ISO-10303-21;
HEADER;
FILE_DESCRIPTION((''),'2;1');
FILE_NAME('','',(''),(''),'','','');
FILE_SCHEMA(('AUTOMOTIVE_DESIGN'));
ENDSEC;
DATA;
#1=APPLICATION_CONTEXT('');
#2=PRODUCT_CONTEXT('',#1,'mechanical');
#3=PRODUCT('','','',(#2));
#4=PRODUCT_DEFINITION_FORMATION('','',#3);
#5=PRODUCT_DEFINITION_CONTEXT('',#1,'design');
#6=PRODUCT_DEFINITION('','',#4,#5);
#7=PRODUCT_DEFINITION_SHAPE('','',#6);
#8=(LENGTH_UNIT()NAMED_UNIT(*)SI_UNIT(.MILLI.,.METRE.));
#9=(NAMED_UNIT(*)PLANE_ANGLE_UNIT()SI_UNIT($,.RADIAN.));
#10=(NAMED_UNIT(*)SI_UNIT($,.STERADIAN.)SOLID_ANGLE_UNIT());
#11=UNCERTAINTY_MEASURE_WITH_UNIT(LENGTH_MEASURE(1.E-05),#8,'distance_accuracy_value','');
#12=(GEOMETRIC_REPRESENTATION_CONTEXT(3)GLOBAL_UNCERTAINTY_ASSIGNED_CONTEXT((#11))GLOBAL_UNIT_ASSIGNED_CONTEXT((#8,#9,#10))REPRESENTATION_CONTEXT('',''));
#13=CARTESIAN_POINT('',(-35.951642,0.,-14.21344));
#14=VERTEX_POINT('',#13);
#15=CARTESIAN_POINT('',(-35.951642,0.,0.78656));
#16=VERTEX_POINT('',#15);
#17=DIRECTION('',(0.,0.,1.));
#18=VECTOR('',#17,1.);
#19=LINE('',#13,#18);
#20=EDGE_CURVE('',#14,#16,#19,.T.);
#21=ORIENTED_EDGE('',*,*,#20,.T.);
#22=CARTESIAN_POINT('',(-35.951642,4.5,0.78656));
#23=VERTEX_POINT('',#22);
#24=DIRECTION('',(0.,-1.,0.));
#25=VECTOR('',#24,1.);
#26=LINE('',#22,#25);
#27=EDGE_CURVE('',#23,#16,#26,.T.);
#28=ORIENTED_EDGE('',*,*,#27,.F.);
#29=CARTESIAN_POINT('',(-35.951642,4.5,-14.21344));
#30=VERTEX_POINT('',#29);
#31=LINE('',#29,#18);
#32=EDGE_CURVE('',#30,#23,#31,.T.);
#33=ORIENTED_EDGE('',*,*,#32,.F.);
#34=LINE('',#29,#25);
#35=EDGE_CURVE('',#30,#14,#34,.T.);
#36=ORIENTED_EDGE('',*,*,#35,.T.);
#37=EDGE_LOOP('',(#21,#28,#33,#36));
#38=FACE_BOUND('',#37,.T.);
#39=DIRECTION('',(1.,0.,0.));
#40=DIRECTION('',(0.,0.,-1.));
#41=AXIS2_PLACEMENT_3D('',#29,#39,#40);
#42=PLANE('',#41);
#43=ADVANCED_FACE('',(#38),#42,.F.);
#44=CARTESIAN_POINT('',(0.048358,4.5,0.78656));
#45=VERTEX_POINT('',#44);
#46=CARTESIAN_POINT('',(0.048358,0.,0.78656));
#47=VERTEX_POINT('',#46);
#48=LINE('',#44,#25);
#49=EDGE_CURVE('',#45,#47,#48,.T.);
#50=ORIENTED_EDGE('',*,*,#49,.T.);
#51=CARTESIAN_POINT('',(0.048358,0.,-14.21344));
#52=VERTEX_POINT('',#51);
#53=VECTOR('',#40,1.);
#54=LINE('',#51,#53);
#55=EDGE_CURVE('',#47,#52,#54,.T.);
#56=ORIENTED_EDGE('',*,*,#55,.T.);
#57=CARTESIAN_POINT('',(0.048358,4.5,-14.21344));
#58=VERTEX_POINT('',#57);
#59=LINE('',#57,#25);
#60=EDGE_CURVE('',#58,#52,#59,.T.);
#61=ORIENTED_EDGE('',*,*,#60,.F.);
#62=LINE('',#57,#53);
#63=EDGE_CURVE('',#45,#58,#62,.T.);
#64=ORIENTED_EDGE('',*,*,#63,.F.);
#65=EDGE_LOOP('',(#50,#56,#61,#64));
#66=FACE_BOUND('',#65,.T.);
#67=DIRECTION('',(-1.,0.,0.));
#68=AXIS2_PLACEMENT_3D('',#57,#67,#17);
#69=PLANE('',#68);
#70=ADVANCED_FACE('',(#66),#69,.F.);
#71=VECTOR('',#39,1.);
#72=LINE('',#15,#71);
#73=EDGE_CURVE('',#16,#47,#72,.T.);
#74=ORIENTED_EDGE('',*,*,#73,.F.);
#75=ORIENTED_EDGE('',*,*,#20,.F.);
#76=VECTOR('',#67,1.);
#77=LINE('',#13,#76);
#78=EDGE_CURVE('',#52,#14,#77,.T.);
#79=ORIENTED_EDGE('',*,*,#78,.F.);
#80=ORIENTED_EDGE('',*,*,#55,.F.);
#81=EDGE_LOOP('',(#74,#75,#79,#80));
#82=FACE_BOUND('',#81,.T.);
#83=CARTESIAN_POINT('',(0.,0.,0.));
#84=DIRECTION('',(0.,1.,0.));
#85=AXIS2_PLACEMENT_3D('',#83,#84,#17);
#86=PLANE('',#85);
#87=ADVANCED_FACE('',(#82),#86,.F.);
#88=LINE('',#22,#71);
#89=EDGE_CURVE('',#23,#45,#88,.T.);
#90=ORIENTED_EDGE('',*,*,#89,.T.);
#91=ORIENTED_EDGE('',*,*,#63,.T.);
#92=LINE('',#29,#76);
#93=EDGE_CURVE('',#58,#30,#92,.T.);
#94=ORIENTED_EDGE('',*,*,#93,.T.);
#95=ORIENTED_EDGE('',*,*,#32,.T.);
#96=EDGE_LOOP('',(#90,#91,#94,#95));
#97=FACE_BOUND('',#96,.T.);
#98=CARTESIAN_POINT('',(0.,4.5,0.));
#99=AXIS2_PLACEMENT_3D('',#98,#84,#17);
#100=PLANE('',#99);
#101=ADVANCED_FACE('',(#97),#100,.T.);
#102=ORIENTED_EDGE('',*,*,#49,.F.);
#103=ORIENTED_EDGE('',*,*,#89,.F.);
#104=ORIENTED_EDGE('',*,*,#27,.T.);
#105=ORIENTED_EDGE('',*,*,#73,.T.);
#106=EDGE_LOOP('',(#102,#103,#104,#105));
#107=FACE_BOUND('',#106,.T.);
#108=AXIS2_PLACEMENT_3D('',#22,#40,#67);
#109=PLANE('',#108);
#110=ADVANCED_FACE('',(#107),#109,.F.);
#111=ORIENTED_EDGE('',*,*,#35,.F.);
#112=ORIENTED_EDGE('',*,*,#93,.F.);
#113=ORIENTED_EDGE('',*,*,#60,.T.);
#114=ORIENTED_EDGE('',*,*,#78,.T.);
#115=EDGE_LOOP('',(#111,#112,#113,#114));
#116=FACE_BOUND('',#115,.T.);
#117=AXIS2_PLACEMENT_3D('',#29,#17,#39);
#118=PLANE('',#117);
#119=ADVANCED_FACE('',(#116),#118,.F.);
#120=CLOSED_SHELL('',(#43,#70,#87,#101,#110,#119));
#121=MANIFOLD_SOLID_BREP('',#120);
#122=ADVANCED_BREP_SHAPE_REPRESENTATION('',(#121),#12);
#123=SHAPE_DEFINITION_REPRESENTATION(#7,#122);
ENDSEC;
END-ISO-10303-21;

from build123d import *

# Parameters (mm, degrees)
SKETCH1_W           = 36
SKETCH1_H           = 15
BOSS_EXTRUDE1_DEPTH = 4.5


with BuildPart() as part:
    # Sketch1 → Boss-Extrude1 (new body)
    with BuildSketch(Plane(origin=(0, 0, 0), x_dir=(1, 0, 0), z_dir=(0, 1, 0))):
        with Locations((-17.951642274, 6.713439969)):
            Rectangle(SKETCH1_W, SKETCH1_H)
    extrude(amount=BOSS_EXTRUDE1_DEPTH)


solid = part.part
